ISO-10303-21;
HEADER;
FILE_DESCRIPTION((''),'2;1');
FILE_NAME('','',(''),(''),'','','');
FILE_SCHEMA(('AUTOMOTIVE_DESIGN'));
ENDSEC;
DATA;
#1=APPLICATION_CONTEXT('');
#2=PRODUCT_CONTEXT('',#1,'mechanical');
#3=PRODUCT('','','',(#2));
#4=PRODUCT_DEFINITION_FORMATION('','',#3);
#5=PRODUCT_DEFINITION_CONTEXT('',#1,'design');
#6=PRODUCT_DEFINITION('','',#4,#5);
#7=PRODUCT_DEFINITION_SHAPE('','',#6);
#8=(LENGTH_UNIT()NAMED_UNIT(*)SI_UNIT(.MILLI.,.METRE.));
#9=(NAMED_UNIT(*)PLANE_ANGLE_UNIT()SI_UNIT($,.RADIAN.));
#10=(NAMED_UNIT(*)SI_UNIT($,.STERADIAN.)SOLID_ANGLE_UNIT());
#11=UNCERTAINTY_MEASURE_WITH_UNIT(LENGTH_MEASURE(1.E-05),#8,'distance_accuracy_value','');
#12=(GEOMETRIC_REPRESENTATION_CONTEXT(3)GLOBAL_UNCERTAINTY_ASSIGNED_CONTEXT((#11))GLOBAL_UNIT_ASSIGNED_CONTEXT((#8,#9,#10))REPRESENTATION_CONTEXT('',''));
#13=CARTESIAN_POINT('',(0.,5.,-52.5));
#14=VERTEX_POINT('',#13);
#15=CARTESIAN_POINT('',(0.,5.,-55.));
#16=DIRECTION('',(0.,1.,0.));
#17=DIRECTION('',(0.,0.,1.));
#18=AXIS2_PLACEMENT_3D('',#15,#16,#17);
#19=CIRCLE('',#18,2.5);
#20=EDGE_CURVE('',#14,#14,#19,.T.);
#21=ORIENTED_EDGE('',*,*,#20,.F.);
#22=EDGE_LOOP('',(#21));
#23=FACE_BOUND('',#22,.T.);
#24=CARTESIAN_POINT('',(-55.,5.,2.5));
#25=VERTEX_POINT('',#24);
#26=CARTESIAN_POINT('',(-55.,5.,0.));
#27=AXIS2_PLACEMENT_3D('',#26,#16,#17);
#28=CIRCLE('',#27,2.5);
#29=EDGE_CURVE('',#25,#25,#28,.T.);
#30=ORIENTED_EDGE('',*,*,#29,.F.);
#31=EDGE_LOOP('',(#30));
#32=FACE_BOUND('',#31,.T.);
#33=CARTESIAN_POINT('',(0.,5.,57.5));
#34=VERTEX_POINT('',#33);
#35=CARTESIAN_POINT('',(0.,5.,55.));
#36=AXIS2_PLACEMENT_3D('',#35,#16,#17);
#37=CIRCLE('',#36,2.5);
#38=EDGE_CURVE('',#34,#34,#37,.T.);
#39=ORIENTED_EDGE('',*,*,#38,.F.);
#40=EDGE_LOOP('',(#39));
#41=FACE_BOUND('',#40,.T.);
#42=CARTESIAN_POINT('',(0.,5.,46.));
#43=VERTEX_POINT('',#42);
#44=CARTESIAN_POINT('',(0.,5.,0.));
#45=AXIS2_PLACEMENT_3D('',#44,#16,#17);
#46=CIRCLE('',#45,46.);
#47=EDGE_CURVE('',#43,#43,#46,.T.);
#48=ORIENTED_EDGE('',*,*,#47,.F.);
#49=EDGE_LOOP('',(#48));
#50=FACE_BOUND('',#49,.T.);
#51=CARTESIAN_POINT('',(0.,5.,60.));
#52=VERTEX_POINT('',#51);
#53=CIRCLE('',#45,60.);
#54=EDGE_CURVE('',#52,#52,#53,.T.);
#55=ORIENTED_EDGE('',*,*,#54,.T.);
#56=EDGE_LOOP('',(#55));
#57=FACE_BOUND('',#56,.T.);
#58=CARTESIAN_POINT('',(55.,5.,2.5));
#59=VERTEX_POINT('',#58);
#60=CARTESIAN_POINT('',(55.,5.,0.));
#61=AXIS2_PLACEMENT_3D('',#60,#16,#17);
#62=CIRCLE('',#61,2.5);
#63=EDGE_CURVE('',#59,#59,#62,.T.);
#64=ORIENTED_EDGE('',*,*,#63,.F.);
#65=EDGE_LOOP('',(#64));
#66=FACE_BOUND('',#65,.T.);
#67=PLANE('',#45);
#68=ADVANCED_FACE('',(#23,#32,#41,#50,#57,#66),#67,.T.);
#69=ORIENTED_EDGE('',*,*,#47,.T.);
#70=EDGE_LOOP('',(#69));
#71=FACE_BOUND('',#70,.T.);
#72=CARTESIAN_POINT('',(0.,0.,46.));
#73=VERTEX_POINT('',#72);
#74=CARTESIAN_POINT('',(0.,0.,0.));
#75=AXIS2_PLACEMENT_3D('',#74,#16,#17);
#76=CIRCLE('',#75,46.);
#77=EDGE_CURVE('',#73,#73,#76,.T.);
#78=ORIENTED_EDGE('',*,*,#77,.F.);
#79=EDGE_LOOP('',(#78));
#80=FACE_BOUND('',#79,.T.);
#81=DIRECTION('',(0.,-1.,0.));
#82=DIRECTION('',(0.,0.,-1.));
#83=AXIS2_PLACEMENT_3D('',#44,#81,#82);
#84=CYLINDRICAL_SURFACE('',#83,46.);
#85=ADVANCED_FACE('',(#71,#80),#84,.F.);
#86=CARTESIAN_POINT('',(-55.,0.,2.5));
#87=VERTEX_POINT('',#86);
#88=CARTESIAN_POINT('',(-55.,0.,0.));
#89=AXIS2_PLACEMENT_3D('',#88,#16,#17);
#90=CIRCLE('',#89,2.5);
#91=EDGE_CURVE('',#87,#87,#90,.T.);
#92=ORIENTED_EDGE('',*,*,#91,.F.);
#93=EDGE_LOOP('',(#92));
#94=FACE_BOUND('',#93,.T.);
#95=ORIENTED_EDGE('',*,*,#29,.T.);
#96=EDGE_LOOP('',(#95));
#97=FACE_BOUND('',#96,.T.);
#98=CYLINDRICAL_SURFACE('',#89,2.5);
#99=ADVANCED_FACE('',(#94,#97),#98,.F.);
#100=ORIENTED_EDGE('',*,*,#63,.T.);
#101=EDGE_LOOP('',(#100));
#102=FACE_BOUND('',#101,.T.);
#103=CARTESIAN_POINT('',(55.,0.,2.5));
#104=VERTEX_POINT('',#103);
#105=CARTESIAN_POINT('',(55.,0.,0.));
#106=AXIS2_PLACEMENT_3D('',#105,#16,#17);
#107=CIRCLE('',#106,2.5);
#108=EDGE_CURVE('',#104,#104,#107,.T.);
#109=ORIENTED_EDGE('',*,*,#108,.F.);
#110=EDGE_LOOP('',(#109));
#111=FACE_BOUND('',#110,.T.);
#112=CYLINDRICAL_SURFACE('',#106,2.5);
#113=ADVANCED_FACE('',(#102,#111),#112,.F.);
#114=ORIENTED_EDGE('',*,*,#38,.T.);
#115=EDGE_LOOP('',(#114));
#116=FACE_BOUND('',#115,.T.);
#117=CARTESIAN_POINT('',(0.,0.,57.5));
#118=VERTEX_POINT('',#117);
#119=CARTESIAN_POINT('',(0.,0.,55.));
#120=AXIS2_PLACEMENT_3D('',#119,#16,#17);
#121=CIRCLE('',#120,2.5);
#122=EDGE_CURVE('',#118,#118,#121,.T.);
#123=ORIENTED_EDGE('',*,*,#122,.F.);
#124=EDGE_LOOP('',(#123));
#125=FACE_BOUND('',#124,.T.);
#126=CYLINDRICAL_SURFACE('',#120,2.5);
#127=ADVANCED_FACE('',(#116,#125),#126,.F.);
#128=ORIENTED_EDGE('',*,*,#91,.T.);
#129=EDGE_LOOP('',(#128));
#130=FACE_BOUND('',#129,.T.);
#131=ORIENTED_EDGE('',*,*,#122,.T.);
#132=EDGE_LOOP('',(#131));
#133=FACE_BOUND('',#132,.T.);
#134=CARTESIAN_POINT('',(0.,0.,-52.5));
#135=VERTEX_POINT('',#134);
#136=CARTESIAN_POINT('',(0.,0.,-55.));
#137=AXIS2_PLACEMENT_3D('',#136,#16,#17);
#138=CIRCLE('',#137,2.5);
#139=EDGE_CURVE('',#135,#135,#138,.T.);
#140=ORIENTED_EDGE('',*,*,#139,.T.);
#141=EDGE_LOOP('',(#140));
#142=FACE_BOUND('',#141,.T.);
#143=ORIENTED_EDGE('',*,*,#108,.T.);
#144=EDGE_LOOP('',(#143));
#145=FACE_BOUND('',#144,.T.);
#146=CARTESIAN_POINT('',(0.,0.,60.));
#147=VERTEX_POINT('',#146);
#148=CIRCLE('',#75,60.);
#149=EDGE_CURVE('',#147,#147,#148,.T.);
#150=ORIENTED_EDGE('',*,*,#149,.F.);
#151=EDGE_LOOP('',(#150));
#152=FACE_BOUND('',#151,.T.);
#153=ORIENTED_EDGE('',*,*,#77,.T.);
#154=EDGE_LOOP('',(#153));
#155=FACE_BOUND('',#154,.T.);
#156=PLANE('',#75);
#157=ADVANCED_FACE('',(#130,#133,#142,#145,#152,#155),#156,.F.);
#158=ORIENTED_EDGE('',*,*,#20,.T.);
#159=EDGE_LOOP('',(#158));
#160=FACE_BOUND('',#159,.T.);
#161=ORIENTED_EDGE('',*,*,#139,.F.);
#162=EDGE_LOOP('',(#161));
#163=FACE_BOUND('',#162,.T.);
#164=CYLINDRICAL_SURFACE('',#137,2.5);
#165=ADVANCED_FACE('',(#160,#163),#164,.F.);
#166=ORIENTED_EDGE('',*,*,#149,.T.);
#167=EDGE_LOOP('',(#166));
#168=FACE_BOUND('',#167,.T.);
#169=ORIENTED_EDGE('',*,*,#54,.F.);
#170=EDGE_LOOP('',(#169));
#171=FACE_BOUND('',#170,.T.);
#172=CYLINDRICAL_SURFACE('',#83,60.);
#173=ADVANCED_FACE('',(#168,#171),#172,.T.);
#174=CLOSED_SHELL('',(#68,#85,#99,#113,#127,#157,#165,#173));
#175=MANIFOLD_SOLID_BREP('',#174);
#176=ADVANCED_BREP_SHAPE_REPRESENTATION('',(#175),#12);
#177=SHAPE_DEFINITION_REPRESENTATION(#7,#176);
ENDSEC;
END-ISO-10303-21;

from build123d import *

# Parameters (mm, degrees)
SKETCH1_R           = 60
SKETCH1_R_2         = 46
BOSS_EXTRUDE1_DEPTH = 5
SKETCH2_R           = 2.5
CUT_EXTRUDE1_DEPTH  = 86


with BuildPart() as part:
    # Sketch1 → Boss-Extrude1 (new body)
    with BuildSketch(Plane(origin=(0, 0, 0), x_dir=(1, 0, 0), z_dir=(0, 1, 0))):
        with Locations(Location((0, 0, 0), (0, 0, 270))):
            Circle(SKETCH1_R)
        with Locations(Location((0, 0, 0), (0, 0, 270))):
            Circle(SKETCH1_R_2, mode=Mode.SUBTRACT)
    extrude(amount=BOSS_EXTRUDE1_DEPTH)

    # Sketch2 → Cut-Extrude1 (cut, through all)
    with BuildSketch(Plane(origin=(0, 5, 0), x_dir=(1, 0, 0), z_dir=(0, 1, 0))):
        with Locations(Location((0, 55, 0), (0, 0, 270))):
            Circle(SKETCH2_R)
        with Locations(Location((55, 0, 0), (0, 0, 270))):
            Circle(SKETCH2_R)
        with Locations(Location((0, -55, 0), (0, 0, 270))):
            Circle(SKETCH2_R)
        with Locations(Location((-55, 0, 0), (0, 0, 270))):
            Circle(SKETCH2_R)
    extrude(amount=-CUT_EXTRUDE1_DEPTH, mode=Mode.SUBTRACT)


solid = part.part
